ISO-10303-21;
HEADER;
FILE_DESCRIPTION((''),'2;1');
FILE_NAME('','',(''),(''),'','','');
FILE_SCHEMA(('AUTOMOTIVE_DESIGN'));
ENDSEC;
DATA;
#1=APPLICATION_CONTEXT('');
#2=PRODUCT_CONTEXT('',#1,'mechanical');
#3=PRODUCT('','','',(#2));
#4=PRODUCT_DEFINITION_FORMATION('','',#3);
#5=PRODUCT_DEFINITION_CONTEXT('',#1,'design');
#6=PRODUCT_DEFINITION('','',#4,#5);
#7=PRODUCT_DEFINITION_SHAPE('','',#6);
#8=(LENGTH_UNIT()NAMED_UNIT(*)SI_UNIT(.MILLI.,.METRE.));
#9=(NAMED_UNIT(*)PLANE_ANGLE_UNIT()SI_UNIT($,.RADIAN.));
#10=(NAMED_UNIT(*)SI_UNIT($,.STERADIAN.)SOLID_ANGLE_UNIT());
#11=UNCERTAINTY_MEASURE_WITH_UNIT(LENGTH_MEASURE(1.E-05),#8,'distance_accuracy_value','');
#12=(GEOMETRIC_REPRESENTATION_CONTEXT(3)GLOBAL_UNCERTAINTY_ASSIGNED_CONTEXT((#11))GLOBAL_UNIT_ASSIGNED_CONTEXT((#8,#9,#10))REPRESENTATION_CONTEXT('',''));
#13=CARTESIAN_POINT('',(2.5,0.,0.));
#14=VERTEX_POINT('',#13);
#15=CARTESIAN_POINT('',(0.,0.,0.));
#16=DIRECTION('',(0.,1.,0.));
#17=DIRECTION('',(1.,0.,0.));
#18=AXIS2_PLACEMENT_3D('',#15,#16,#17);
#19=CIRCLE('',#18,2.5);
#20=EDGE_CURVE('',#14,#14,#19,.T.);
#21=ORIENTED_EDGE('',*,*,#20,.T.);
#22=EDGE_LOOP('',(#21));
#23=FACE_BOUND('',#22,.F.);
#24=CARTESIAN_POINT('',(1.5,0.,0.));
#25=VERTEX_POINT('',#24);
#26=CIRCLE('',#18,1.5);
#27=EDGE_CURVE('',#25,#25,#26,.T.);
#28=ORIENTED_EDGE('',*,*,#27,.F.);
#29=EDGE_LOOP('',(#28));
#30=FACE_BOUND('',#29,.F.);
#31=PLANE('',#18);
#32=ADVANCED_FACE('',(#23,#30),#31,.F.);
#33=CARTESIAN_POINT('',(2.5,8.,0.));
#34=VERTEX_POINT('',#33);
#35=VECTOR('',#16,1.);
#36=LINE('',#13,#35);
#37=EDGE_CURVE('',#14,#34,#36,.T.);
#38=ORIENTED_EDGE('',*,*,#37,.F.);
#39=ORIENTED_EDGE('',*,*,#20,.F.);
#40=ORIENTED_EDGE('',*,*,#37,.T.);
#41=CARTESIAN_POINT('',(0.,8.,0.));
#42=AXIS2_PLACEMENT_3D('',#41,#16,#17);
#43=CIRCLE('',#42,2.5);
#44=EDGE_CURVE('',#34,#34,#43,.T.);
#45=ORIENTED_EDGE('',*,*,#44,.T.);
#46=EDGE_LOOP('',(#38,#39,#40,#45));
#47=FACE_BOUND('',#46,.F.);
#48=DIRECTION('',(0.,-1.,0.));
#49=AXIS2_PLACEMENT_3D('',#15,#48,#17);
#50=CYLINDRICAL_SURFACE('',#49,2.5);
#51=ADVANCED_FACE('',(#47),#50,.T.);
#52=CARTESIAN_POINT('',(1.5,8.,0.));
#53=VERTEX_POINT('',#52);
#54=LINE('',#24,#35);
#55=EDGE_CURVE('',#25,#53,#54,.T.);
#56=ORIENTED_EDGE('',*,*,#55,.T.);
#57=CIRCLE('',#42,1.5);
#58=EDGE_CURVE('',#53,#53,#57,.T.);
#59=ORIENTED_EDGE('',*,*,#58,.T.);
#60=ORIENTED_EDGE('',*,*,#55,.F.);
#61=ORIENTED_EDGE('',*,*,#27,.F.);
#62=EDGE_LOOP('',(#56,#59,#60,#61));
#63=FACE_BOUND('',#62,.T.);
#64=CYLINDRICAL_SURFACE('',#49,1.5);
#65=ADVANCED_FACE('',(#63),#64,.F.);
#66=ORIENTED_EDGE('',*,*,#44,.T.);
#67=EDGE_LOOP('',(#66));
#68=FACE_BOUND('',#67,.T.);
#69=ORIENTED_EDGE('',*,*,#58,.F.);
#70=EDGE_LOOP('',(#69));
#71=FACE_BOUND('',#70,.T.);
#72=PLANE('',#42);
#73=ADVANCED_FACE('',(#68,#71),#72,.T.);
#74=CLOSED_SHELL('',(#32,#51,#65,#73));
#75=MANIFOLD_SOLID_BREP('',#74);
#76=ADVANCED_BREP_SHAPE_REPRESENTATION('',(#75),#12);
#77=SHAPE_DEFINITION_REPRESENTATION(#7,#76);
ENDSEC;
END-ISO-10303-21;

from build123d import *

# Parameters (mm, degrees)
SKETCH_1_R      = 2.5
SKETCH_1_R_2    = 1.5
EXTRUDE_1_DEPTH = 8


with BuildPart() as part:
    # 草图1 → 凸台-拉伸1 (new body)
    with BuildSketch(Plane(origin=(0, 0, 0), x_dir=(1, 0, 0), z_dir=(0, 1, 0))):
        Circle(SKETCH_1_R)
        Circle(SKETCH_1_R_2, mode=Mode.SUBTRACT)
    extrude(amount=EXTRUDE_1_DEPTH)


solid = part.part
